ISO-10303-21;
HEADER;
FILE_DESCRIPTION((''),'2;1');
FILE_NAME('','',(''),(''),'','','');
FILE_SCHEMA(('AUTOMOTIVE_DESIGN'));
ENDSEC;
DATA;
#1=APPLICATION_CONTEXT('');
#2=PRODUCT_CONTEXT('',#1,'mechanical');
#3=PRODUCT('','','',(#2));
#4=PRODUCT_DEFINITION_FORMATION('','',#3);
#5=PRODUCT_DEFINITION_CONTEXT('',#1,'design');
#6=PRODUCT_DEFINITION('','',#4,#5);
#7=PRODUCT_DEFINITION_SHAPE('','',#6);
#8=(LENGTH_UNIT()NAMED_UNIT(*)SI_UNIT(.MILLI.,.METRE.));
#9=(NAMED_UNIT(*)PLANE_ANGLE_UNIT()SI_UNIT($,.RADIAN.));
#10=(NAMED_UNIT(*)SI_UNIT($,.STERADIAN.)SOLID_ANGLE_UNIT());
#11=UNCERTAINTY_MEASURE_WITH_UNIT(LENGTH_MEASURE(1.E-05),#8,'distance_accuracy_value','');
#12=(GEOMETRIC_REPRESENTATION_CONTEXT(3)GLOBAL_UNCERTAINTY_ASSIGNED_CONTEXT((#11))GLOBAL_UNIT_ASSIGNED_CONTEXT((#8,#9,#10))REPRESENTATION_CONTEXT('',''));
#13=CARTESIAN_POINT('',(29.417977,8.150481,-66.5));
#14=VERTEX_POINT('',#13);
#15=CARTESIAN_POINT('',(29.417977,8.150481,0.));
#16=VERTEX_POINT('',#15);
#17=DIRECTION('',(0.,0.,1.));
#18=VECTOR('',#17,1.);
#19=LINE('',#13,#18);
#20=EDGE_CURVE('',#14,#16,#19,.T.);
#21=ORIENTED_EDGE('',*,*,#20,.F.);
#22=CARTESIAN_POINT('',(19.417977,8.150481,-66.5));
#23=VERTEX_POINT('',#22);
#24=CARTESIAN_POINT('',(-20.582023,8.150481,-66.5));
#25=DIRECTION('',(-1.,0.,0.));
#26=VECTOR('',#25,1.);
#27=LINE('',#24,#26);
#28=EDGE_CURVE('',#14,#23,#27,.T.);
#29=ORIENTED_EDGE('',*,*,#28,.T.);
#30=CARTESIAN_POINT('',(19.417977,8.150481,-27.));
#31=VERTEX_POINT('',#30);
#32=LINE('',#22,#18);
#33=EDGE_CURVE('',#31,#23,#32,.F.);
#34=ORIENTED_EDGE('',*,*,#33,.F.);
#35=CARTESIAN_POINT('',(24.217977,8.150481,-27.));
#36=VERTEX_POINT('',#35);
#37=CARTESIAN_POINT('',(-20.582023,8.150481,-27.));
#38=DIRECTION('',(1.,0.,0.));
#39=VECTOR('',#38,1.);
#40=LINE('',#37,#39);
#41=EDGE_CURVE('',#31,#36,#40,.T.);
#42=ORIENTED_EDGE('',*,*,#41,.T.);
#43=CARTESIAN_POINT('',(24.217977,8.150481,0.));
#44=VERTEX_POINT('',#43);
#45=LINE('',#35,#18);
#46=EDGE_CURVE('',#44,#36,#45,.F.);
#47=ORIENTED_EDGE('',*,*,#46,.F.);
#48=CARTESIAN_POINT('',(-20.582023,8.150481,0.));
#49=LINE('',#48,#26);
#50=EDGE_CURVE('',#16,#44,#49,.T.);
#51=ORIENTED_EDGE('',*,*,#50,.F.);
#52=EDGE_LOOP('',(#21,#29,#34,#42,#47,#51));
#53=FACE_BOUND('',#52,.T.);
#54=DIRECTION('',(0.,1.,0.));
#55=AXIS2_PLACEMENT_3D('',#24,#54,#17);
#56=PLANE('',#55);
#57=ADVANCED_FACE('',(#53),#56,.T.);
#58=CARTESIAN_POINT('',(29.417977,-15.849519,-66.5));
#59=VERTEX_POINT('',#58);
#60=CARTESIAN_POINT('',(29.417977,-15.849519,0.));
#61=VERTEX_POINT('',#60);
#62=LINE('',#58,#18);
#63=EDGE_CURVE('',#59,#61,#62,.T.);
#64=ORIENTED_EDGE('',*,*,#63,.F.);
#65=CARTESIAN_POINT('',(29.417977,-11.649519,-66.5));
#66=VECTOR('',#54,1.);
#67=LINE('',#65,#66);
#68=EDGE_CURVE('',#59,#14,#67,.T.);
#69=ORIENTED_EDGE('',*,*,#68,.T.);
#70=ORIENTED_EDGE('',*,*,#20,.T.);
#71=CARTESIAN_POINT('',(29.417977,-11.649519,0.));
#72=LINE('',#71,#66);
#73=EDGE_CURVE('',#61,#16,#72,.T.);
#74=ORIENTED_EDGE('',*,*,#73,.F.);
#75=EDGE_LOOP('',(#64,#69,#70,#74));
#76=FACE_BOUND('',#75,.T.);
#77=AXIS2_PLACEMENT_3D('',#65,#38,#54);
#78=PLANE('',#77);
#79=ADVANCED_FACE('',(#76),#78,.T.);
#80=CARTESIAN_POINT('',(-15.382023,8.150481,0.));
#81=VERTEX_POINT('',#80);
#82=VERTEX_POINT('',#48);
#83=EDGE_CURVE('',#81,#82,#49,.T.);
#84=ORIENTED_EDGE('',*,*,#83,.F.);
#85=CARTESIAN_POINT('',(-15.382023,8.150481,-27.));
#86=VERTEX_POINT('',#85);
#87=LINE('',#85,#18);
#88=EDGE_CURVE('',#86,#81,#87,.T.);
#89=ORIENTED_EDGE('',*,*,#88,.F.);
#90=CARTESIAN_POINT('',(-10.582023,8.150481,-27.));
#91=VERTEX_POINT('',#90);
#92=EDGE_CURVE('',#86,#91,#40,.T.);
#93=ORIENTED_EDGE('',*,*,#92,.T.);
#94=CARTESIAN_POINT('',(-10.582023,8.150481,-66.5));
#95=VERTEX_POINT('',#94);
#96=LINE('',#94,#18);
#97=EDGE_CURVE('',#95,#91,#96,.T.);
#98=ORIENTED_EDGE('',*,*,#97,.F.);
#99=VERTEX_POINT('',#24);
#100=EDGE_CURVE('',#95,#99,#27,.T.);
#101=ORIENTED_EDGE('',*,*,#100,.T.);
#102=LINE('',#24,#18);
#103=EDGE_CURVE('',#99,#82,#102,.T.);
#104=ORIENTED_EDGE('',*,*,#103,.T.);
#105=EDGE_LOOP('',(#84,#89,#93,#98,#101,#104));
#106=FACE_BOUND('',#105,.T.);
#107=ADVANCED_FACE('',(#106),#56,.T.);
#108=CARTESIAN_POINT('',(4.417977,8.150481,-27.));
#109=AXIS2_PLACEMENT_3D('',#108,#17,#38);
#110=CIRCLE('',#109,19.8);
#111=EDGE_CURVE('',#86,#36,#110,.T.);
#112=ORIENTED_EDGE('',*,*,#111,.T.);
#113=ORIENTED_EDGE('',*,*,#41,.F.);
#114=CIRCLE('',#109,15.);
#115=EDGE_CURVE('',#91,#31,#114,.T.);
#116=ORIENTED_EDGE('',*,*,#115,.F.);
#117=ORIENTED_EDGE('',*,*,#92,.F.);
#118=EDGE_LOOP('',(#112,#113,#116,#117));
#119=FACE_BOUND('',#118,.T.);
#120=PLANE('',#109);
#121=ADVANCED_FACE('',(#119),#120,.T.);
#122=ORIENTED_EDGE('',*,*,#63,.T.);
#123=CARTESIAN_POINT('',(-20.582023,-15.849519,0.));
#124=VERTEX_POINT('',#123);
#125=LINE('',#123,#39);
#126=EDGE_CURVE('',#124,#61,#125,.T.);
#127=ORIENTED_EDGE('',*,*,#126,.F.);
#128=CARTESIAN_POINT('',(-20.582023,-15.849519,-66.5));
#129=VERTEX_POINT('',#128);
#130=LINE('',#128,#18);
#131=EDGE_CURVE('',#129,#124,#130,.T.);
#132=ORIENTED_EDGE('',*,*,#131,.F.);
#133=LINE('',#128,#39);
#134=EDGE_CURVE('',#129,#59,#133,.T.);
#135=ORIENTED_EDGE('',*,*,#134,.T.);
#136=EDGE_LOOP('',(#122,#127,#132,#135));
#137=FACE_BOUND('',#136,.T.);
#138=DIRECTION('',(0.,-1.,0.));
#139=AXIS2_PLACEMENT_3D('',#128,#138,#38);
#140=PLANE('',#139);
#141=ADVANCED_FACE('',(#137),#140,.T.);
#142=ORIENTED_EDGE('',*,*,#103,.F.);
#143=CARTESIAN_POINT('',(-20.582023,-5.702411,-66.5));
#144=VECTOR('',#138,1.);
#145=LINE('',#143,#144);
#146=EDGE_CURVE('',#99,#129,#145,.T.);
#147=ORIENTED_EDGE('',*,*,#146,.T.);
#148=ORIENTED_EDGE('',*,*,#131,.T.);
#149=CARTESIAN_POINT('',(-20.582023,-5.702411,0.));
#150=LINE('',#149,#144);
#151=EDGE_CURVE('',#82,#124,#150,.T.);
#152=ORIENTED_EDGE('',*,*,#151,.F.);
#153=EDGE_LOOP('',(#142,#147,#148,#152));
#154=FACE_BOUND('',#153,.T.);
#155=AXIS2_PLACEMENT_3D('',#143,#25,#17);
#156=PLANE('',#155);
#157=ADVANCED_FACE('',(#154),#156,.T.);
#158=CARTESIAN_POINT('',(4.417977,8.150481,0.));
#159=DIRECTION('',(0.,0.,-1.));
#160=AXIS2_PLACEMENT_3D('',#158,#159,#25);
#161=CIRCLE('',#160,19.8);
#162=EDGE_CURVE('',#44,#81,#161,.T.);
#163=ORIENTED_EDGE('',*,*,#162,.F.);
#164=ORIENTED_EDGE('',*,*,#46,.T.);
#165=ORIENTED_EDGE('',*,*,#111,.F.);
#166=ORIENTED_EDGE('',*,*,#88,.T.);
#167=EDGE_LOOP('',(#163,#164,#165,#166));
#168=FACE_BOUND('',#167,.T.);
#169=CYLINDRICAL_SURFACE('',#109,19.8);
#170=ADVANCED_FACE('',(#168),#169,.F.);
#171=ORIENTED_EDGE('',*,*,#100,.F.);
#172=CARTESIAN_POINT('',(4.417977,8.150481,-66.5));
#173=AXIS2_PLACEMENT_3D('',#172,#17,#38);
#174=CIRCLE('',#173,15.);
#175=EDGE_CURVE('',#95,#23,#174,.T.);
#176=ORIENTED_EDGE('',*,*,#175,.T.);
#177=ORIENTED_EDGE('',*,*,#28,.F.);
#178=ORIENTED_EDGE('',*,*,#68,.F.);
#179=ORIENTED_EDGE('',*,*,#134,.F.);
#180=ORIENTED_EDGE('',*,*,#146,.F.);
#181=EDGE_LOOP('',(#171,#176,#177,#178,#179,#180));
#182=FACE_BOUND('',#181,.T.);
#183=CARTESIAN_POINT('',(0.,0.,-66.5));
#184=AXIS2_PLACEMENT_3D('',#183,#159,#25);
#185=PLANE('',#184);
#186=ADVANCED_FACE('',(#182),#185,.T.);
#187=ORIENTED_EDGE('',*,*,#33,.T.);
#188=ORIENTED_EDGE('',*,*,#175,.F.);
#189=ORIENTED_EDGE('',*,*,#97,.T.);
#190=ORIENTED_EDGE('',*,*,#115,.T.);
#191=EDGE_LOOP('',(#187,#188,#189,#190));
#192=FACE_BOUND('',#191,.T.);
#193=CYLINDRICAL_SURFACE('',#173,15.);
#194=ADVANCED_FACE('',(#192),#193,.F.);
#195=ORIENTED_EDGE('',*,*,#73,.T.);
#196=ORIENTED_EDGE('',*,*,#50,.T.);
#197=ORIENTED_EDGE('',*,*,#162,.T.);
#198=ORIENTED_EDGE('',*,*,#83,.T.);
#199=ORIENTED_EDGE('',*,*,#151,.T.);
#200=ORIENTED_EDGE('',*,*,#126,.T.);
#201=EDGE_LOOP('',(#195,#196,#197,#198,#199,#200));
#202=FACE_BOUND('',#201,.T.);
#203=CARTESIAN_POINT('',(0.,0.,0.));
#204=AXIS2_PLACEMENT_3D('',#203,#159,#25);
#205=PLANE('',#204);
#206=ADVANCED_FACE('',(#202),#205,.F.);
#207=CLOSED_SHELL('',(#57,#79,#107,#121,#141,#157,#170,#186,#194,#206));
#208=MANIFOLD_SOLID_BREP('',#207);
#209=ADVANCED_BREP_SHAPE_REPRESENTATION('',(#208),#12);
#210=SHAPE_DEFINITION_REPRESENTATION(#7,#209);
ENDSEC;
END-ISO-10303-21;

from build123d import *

# Parameters (mm, degrees)
BOSS_EXTRUDE1_DEPTH = 66.5
SKETCH4_R           = 19.8
CUT_EXTRUDE1_DEPTH  = 27
SKETCH5_R           = 15
CUT_EXTRUDE2_DEPTH  = 52.738521814


with BuildPart() as part:
    # Sketch1 → Boss-Extrude1 (new body)
    with BuildSketch(Plane.XY):
        Polygon((-20.582022726, -5.70241059), (-20.582022726, 8.150480999), (29.417977274, 8.150480999), (29.417977274, -11.649519001), (29.417977274, -15.849519001), (-20.582022726, -15.849519001), align=None)
    extrude(amount=-BOSS_EXTRUDE1_DEPTH)

    # Sketch4 → Cut-Extrude1 (cut)
    with BuildSketch(Plane.XY):
        with Locations((4.417977274, 8.150480999)):
            Circle(SKETCH4_R)
    extrude(amount=-CUT_EXTRUDE1_DEPTH, mode=Mode.SUBTRACT)

    # Sketch5 → Cut-Extrude2 (cut, through all)
    with BuildSketch(Plane.XY.offset(-27)):
        with Locations((4.417977274, 8.150480999)):
            Circle(SKETCH5_R)
    extrude(amount=-CUT_EXTRUDE2_DEPTH, mode=Mode.SUBTRACT)


solid = part.part
